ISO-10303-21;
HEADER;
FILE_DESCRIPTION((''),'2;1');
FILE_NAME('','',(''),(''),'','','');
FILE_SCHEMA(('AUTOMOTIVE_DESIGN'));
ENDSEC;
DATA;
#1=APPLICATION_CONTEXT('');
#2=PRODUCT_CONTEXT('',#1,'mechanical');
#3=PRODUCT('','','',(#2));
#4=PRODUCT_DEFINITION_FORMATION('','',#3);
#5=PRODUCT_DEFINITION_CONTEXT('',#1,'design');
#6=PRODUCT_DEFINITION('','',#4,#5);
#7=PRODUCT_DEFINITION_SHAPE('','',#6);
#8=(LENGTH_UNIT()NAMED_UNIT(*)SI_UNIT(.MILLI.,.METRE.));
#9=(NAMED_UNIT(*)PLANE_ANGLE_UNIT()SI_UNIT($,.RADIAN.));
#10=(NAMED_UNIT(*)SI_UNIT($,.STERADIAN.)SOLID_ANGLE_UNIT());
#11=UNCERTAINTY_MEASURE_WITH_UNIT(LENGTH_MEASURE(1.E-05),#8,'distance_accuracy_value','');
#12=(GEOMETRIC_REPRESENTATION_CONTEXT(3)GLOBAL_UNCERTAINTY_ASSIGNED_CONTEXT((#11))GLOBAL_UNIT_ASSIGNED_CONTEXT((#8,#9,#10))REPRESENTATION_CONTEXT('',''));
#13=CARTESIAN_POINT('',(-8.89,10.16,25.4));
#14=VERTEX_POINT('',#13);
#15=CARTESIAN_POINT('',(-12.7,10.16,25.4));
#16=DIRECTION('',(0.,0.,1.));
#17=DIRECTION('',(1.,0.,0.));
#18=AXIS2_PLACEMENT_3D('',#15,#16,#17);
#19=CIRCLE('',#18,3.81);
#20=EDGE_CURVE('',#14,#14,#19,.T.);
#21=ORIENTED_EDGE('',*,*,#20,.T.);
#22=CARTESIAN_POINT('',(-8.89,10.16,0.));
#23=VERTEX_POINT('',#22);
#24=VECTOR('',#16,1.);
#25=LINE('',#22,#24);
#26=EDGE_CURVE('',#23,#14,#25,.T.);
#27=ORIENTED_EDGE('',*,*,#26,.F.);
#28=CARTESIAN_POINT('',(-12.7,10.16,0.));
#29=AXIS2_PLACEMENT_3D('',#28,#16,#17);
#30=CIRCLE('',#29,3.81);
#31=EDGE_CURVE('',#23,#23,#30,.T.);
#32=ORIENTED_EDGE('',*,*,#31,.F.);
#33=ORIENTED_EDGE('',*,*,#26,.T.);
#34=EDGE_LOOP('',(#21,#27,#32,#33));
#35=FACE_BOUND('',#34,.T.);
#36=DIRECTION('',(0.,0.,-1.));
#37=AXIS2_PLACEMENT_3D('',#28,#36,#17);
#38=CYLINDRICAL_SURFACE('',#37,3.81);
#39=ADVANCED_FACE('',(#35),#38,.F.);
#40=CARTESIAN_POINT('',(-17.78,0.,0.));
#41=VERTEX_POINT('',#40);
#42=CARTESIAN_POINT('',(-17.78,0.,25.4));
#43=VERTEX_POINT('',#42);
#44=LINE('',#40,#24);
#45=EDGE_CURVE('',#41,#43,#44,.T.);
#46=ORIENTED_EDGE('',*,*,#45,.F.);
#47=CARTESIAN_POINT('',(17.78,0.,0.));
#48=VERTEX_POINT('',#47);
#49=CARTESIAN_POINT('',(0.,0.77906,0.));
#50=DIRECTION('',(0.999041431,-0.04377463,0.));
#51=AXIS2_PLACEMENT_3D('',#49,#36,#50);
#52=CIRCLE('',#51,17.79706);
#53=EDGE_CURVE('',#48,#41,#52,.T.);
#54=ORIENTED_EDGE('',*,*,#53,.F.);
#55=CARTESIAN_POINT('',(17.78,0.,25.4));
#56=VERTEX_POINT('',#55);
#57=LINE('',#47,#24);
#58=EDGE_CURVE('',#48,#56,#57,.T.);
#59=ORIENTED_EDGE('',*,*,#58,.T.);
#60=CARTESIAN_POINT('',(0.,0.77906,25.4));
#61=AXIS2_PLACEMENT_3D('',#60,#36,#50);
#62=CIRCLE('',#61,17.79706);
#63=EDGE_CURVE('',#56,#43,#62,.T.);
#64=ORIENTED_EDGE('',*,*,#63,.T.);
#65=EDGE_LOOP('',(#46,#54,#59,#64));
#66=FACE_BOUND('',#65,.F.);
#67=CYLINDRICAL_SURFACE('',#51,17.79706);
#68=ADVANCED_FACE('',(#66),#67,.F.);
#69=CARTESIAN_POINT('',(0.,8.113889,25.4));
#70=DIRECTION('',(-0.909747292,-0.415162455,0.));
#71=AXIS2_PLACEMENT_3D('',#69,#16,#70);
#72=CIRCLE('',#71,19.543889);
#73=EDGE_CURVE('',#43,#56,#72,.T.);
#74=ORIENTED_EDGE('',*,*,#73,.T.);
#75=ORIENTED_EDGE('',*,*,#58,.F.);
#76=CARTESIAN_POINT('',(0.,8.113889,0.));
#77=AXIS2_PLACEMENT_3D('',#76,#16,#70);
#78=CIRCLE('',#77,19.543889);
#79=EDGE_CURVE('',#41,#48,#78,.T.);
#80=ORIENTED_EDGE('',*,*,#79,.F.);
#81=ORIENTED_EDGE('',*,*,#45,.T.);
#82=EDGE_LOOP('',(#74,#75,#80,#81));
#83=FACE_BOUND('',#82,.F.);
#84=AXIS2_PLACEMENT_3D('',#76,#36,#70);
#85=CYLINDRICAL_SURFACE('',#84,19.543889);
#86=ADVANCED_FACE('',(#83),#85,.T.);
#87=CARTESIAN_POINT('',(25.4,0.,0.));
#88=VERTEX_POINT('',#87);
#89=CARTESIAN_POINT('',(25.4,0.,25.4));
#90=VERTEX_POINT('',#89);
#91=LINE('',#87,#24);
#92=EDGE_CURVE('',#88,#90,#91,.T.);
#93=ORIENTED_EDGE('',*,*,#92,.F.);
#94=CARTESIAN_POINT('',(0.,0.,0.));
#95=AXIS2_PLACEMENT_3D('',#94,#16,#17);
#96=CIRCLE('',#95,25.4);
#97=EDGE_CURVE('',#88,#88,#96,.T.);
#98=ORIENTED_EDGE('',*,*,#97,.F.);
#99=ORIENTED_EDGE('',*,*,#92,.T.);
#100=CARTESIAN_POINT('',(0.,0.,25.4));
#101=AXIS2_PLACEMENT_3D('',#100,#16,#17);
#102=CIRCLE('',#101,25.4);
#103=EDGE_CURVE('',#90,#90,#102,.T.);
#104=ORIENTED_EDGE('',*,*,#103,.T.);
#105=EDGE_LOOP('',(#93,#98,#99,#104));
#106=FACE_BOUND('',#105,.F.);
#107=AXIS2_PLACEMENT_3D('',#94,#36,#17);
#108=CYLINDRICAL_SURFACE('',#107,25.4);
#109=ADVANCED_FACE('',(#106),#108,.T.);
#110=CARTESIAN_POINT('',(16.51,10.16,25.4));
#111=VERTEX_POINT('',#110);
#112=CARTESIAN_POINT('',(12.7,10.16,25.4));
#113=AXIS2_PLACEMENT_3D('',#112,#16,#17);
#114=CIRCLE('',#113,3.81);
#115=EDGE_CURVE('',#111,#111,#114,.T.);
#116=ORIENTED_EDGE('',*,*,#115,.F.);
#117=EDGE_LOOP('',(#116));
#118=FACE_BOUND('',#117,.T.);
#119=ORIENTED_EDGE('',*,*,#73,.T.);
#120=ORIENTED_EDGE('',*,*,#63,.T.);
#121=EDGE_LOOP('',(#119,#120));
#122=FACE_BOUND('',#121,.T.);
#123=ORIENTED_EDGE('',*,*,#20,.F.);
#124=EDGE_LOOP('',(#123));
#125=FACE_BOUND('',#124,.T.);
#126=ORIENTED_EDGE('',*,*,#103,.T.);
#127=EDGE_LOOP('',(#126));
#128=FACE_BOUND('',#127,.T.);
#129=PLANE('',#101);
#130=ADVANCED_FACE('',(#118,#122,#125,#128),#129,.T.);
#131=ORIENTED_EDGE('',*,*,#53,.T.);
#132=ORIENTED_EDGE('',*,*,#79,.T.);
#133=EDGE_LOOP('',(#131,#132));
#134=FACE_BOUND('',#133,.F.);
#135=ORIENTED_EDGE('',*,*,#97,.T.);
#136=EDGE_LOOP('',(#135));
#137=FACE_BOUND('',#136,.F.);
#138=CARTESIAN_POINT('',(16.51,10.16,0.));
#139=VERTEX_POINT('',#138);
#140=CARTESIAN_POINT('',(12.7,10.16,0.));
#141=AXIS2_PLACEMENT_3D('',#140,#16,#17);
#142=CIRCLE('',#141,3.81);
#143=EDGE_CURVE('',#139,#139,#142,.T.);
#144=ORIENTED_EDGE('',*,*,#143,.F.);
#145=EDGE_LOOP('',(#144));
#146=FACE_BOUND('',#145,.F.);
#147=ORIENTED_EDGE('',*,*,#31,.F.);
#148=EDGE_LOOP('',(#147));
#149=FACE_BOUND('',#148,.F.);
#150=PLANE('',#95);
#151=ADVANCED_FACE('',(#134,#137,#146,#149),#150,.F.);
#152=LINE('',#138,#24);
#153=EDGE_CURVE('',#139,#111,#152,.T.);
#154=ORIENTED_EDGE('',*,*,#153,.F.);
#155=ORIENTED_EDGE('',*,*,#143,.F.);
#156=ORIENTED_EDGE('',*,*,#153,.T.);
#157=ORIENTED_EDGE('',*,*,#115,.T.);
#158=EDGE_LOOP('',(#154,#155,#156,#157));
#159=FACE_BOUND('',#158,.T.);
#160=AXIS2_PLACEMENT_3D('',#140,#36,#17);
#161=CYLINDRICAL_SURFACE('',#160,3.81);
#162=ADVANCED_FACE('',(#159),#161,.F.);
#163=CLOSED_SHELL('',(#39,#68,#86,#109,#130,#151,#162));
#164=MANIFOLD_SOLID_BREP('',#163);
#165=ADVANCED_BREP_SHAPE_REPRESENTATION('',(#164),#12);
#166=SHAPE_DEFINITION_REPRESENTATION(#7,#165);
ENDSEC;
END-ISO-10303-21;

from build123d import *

# Parameters (mm, degrees)
F0_R     = 25.4
F0_R_2   = 3.81
F1_DEPTH = 25.4


with BuildPart() as f1:
    # F0 (on Top) → F1 (new body)
    with BuildSketch(Plane.XY):
        Circle(F0_R)
        with BuildLine():
            ThreePointArc((17.78, 0), (0, -17.018), (-17.78, 0))
            ThreePointArc((-17.78, 0), (0, -11.43), (17.78, 0))
        make_face(mode=Mode.SUBTRACT)
        with Locations((-12.7, 10.16)):
            Circle(F0_R_2, mode=Mode.SUBTRACT)
        with Locations((12.7, 10.16)):
            Circle(F0_R_2, mode=Mode.SUBTRACT)
    extrude(amount=F1_DEPTH)


solid = f1.part
